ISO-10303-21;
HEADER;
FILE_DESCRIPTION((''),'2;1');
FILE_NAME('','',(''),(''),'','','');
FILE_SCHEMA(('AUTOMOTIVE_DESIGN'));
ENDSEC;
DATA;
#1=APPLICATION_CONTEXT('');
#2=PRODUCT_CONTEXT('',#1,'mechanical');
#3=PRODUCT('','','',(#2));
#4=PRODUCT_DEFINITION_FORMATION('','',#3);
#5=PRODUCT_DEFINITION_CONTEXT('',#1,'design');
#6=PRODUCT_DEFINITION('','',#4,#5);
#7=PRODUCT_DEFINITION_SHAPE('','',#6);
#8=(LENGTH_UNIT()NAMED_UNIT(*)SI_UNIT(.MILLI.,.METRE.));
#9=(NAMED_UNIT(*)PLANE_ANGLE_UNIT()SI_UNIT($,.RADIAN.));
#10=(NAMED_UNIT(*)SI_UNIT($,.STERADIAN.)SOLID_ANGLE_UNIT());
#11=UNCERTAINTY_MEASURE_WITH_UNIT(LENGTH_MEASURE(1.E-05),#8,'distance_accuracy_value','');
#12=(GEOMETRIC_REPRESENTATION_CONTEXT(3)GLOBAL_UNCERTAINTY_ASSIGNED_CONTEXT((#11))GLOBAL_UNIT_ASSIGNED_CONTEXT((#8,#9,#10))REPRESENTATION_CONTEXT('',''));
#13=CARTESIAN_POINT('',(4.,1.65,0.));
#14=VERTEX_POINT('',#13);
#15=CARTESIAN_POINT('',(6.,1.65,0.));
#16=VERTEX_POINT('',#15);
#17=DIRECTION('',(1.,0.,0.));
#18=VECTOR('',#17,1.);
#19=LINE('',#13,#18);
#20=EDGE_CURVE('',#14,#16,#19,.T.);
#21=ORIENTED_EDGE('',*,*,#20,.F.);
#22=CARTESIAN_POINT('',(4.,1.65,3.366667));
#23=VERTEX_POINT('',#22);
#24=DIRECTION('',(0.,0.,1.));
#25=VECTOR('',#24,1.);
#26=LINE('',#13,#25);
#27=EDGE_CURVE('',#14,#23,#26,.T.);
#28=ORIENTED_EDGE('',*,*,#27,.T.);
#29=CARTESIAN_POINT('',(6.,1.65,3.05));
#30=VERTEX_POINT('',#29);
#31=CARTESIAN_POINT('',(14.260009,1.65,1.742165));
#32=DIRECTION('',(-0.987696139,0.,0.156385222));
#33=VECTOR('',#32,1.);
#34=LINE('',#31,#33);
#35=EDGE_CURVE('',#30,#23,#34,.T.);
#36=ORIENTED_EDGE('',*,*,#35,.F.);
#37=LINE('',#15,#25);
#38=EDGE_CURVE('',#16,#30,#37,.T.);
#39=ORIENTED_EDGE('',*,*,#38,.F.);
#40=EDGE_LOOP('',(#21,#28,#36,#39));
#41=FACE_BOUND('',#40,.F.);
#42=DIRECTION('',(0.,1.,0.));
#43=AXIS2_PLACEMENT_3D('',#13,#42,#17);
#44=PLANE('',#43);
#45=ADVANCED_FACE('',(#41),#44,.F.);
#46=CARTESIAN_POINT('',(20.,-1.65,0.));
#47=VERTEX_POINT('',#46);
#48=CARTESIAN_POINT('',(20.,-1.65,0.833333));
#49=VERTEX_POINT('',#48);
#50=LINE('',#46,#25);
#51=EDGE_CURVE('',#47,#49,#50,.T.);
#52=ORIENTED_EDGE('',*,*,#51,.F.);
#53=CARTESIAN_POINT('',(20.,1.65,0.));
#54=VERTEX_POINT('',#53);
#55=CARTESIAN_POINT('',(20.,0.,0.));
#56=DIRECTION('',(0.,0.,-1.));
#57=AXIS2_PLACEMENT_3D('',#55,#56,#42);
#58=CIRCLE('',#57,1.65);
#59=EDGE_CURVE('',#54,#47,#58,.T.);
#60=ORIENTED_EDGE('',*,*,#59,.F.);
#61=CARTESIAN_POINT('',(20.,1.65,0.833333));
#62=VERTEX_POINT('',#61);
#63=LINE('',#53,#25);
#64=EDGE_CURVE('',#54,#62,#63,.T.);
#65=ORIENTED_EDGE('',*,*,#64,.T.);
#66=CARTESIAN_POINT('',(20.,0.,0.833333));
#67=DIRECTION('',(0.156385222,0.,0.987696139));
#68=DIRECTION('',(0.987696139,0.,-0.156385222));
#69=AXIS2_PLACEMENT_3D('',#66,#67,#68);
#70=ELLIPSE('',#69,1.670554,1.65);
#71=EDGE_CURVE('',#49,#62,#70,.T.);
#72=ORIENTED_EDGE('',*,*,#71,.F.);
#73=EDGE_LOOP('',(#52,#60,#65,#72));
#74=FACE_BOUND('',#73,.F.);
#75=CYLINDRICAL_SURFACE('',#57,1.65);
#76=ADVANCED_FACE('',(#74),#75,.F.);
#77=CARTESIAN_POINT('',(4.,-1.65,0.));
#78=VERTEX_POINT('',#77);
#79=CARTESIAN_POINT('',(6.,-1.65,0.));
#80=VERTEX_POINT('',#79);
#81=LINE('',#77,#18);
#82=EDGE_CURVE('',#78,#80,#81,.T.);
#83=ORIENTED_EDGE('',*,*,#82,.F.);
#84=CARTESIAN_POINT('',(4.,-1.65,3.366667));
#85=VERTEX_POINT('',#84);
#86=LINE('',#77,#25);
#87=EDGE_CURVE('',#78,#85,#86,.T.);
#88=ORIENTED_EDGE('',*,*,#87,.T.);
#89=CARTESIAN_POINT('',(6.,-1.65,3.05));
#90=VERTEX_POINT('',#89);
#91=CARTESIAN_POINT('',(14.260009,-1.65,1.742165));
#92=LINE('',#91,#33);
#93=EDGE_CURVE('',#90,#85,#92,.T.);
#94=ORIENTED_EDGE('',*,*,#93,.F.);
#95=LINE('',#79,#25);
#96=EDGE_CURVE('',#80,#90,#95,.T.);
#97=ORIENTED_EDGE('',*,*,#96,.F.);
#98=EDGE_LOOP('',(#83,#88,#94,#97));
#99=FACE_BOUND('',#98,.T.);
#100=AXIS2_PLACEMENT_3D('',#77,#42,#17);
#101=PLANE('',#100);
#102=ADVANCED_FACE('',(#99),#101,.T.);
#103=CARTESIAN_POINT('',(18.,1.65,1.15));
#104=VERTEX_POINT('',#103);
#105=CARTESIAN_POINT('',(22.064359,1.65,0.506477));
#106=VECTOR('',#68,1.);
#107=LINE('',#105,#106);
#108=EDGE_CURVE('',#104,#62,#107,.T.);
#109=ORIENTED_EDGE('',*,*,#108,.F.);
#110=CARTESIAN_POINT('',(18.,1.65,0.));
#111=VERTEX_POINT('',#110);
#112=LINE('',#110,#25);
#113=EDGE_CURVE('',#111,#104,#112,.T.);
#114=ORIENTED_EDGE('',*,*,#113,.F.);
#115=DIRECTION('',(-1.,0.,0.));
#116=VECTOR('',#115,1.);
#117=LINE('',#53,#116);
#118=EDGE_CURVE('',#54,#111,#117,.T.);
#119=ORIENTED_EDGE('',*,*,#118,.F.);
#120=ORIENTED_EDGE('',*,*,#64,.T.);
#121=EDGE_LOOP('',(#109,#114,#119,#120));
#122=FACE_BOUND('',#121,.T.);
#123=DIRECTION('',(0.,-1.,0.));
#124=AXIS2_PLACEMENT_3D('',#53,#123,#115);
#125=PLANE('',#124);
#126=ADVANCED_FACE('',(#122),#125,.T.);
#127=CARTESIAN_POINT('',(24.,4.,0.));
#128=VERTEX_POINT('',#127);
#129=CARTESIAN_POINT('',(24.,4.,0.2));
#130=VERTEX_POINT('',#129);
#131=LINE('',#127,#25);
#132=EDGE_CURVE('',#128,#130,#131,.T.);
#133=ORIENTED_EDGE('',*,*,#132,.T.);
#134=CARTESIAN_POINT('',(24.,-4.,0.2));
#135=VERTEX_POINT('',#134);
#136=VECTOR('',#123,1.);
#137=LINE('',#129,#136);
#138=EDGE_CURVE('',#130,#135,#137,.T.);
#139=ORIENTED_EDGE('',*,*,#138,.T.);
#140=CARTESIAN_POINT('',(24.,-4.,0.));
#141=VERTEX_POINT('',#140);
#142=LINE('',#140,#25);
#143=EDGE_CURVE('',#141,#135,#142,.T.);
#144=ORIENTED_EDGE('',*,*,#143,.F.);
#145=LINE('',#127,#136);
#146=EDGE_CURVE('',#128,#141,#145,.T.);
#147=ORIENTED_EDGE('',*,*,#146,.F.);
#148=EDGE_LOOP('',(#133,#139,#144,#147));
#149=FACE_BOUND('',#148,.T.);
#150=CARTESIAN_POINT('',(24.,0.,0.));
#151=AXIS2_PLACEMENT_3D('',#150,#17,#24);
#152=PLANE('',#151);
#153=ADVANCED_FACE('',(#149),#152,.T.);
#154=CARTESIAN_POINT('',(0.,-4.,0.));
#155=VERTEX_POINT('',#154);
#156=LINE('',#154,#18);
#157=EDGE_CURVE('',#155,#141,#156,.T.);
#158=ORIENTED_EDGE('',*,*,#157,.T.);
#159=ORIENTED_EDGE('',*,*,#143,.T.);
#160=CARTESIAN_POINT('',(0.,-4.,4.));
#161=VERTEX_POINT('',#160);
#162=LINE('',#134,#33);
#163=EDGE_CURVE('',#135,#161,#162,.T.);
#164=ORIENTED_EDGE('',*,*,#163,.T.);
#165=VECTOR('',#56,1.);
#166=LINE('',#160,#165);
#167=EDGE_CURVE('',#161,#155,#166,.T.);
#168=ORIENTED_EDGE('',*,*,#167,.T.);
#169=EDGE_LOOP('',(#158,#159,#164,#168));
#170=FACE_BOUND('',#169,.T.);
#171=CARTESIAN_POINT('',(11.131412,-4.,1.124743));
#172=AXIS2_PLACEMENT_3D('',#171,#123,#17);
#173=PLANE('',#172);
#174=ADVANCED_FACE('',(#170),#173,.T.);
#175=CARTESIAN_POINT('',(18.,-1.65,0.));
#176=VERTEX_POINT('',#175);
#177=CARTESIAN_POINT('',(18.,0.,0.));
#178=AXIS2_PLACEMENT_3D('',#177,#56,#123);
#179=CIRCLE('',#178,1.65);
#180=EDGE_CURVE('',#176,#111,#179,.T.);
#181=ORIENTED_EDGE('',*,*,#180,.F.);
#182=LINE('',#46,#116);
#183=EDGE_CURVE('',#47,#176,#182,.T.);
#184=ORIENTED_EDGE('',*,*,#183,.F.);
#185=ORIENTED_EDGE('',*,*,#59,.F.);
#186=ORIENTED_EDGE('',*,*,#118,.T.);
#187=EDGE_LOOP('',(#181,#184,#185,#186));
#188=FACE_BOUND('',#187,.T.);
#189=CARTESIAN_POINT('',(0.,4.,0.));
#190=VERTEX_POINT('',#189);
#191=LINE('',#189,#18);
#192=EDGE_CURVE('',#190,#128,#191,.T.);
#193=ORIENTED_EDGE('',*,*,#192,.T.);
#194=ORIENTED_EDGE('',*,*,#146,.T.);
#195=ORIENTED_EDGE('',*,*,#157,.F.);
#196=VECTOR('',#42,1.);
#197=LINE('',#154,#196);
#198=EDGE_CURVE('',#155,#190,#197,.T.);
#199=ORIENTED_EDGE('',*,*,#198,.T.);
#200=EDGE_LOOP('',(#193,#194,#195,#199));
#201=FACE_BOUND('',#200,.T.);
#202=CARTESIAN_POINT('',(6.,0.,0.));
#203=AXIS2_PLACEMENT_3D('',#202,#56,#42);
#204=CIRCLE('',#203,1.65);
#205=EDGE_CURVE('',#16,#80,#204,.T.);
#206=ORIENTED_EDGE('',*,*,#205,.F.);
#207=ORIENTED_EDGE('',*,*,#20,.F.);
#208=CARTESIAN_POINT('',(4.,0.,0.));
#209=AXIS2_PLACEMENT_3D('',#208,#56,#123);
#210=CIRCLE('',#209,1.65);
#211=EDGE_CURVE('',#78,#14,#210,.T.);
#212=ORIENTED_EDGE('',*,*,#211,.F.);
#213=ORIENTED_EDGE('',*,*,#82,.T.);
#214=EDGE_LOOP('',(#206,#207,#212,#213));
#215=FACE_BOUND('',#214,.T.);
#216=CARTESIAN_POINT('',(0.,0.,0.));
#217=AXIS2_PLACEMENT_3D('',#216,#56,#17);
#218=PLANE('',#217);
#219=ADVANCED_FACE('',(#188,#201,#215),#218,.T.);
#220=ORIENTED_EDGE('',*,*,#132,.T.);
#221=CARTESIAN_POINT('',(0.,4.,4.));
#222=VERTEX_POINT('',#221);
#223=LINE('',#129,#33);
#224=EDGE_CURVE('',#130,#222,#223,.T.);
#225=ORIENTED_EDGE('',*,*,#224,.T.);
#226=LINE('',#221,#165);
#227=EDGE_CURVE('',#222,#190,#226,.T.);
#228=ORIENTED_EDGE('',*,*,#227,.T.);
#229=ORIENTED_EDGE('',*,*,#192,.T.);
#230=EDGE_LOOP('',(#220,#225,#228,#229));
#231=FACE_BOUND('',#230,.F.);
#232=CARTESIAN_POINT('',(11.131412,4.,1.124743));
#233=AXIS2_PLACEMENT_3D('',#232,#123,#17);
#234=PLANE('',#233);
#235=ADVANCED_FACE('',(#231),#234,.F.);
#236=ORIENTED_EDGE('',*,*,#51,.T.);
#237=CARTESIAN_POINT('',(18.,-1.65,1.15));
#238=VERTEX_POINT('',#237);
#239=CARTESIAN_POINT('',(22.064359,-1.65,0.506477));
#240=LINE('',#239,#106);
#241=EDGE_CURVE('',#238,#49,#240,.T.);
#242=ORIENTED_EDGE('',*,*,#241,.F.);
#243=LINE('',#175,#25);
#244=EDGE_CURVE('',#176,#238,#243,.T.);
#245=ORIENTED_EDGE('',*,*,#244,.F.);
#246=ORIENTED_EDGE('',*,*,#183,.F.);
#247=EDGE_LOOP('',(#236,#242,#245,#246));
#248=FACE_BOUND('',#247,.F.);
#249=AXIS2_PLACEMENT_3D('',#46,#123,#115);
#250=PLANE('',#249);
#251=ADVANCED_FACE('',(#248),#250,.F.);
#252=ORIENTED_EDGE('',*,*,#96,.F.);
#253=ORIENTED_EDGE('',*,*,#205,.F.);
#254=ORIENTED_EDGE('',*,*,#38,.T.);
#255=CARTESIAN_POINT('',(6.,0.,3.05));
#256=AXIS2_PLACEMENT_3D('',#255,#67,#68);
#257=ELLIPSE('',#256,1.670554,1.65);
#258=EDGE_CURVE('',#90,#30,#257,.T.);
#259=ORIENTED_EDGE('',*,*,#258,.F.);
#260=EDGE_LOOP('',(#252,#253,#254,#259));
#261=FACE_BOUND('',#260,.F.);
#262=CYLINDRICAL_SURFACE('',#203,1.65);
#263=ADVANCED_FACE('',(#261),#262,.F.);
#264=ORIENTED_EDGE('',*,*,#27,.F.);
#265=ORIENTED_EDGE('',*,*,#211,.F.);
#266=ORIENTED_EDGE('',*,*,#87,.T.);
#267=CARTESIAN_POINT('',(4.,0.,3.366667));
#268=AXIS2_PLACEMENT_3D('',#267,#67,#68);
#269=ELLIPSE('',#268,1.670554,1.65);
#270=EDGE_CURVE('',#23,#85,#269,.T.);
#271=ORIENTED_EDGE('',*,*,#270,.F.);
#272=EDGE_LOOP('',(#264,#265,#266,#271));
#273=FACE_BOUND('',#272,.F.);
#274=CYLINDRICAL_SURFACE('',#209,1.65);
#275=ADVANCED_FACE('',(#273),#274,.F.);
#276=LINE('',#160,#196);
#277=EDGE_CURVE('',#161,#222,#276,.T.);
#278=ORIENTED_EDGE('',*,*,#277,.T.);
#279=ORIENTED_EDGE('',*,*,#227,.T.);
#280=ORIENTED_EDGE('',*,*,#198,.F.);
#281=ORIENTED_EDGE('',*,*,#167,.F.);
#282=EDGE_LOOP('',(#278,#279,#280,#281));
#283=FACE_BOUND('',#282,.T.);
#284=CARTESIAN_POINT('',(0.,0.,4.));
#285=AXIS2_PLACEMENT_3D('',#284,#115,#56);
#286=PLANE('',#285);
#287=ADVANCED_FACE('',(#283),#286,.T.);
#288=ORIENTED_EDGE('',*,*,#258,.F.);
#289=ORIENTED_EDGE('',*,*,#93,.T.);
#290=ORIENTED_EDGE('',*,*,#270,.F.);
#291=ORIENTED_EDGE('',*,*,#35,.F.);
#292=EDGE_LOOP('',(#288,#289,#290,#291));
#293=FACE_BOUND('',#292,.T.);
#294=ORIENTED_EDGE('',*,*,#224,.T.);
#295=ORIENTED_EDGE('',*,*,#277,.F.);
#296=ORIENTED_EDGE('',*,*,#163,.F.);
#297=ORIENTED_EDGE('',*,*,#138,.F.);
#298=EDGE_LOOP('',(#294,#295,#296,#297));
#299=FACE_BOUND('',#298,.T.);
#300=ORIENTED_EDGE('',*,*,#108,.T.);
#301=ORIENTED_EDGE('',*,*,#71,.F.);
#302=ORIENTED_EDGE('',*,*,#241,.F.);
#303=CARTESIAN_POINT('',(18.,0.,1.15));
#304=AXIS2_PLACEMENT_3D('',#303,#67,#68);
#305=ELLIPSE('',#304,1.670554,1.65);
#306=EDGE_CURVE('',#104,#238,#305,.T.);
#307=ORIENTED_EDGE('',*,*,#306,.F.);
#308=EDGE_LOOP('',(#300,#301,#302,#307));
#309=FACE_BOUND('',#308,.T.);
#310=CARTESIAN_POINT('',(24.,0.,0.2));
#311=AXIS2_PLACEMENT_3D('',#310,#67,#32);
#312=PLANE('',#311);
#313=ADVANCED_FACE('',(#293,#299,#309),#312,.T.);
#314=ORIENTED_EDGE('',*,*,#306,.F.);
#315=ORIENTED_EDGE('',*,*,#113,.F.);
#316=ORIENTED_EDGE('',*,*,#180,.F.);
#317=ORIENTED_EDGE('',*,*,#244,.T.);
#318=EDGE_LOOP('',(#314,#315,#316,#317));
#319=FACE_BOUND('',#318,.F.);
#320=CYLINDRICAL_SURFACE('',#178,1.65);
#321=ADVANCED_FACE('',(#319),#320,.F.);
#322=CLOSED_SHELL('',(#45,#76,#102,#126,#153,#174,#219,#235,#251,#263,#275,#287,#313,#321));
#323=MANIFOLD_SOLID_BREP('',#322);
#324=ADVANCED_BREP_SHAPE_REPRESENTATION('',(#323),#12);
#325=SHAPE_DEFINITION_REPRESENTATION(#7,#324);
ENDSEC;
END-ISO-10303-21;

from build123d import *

# Parameters (mm, degrees)
PAD_DEPTH    = 4
POCKET_DEPTH = 4.001


with BuildPart() as part:
    # Sketch → Pad (new body, symmetric)
    with BuildSketch(Plane.XZ):
        Polygon((0, 0), (24, 0), (24, 0.2), (0, 4), align=None)
    extrude(amount=PAD_DEPTH, both=True)

    # Sketch001 (on Face1 of Pad) → Pocket (cut, through all)
    with BuildSketch(Plane(origin=(0, 0, 0), x_dir=(1, 0, 0), z_dir=(0, 0, -1))):
        with BuildLine():
            ThreePointArc((4, 1.65), (2.35, 0), (4, -1.65))
            Line((4, -1.65), (6, -1.65))
            ThreePointArc((6, -1.65), (7.65, 0), (6, 1.65))
            Line((4, 1.65), (6, 1.65))
        make_face()
        with BuildLine():
            ThreePointArc((20, -1.65), (21.65, 0), (20, 1.65))
            Line((20, 1.65), (18, 1.65))
            ThreePointArc((18, 1.65), (16.35, 0), (18, -1.65))
            Line((20, -1.65), (18, -1.65))
        make_face()
    extrude(amount=-POCKET_DEPTH, mode=Mode.SUBTRACT)


solid = part.part
